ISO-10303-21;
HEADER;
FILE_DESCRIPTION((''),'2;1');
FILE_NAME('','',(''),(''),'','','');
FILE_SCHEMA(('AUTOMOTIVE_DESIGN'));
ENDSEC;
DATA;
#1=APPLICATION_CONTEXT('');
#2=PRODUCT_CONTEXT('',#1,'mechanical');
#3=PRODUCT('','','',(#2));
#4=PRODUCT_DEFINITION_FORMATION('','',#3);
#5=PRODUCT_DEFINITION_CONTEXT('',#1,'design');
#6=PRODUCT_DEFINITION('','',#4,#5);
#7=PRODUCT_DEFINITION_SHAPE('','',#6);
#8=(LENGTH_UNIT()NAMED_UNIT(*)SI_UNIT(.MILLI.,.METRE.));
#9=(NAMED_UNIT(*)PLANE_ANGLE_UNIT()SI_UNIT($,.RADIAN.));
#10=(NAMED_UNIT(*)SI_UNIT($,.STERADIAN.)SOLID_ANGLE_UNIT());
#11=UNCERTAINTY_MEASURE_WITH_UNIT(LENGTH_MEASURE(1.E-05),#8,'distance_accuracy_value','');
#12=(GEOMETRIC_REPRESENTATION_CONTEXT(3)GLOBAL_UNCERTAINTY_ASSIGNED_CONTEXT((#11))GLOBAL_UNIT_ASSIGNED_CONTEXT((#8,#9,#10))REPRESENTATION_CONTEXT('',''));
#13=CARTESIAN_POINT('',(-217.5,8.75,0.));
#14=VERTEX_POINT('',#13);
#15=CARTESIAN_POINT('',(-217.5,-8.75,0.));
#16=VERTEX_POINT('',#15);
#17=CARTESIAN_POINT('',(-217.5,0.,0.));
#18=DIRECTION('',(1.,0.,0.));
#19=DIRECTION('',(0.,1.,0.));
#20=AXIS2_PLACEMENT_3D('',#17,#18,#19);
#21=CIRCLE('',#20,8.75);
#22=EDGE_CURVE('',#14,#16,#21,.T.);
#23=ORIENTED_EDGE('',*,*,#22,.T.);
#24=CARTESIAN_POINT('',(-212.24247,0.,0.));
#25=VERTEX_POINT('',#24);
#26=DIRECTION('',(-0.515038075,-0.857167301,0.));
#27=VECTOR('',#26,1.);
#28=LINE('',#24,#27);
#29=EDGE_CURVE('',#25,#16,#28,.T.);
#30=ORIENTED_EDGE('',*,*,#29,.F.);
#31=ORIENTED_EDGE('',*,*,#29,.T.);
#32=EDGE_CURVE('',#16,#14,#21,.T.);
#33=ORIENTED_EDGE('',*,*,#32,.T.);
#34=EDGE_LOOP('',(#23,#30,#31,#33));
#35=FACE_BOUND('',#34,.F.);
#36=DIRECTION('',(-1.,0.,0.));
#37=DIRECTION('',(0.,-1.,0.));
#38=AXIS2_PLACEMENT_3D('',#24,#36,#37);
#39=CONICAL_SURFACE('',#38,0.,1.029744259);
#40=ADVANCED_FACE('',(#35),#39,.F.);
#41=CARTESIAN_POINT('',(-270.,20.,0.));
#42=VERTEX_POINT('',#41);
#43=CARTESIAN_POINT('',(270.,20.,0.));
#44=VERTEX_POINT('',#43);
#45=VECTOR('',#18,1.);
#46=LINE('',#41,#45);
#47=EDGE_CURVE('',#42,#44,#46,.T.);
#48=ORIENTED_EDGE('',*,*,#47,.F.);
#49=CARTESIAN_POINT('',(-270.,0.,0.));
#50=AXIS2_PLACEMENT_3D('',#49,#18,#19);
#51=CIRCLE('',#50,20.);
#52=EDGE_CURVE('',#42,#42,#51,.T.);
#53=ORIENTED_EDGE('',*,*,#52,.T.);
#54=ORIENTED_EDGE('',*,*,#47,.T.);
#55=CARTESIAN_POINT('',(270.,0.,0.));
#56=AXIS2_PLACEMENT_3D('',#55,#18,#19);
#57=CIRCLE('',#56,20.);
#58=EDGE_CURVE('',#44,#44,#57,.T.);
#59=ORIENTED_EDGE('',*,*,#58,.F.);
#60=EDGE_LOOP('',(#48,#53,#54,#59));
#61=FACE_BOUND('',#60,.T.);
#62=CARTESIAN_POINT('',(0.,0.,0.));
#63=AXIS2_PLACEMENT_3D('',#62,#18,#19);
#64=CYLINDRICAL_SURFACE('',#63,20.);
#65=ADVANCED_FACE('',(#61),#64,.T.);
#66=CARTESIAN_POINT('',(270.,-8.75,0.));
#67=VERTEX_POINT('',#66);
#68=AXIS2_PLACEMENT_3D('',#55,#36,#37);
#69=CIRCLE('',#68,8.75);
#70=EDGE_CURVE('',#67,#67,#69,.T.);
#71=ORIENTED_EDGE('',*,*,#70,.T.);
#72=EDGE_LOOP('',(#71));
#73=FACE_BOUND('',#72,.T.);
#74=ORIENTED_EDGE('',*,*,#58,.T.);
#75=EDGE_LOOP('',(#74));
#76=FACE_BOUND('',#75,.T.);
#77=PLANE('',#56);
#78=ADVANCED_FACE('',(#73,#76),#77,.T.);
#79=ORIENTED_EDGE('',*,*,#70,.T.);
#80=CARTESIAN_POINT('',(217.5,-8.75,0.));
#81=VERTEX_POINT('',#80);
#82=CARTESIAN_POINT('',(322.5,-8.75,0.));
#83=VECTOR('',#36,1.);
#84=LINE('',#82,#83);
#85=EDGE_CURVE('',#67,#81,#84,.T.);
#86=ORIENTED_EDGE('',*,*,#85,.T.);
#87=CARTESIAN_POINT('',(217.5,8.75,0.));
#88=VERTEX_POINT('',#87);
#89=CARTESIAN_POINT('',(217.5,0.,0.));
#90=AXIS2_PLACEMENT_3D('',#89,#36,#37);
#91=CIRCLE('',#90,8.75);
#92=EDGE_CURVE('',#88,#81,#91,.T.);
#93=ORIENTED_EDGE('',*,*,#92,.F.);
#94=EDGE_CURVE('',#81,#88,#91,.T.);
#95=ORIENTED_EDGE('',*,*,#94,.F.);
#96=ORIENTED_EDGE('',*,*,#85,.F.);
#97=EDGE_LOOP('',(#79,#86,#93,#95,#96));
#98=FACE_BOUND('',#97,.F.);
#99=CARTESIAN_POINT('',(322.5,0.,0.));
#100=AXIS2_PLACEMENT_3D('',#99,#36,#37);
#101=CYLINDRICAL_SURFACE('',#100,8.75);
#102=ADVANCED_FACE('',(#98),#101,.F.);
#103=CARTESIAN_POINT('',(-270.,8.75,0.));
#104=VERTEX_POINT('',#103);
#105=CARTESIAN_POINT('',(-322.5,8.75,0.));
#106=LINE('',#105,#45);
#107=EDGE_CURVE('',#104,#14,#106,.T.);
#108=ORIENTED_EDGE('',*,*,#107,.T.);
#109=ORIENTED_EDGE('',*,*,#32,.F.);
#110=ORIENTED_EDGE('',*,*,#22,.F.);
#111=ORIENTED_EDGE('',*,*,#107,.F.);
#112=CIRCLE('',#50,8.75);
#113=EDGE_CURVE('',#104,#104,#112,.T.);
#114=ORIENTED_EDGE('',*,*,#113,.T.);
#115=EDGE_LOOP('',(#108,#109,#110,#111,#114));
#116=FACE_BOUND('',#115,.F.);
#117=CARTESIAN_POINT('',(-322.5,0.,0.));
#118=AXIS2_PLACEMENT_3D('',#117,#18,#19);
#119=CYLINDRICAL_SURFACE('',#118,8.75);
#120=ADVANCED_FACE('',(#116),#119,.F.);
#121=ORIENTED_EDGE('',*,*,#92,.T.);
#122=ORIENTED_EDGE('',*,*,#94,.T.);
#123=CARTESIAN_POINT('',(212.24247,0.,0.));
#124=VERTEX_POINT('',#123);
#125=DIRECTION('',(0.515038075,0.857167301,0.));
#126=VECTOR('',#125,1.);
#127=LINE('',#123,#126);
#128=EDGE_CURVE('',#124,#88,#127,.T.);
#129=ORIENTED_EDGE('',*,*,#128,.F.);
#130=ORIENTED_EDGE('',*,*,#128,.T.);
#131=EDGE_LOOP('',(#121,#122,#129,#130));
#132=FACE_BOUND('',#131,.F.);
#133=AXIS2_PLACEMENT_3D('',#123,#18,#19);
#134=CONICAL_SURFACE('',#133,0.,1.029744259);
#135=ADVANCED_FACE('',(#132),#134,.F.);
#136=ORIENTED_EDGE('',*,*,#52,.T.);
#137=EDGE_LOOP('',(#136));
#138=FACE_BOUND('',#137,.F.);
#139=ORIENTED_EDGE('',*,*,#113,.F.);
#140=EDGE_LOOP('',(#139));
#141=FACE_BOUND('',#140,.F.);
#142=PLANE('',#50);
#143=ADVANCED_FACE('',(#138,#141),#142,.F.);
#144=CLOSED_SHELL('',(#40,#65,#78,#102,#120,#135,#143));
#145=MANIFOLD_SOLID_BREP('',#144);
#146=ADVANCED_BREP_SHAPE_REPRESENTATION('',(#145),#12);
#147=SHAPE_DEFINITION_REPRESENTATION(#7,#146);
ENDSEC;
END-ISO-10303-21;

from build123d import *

# Parameters (mm, degrees)
F0_R           = 20
F1_DEPTH       = 270
F4_D           = 17.5
F4_DEPTH       = 52.5
F4_TIP         = 5.2575304165
F4_ON_F3_D     = 17.5
F4_ON_F3_DEPTH = 52.5
F4_ON_F3_TIP   = 5.2575304165


with BuildPart() as f1:
    # F0 (on Right) → F1 (new body, symmetric)
    with BuildSketch(Plane.YZ):
        Circle(F0_R)
    extrude(amount=F1_DEPTH, both=True)

    # F4
    with Locations(Plane.YZ.offset(270)):
        with Locations((0, 0)):
            Hole(F4_D / 2, depth=F4_DEPTH)
            with Locations((0, 0, -(F4_DEPTH + F4_TIP / 2))):  # 118° drill point
                Cone(0, F4_D / 2, F4_TIP, mode=Mode.SUBTRACT)

    # F4 on F3
    with Locations(Plane(origin=(-270, 0, 0), x_dir=(0, -1, 0), z_dir=(-1, 0, 0))):
        with Locations((0, 0)):
            Hole(F4_ON_F3_D / 2, depth=F4_ON_F3_DEPTH)
            with Locations((0, 0, -(F4_ON_F3_DEPTH + F4_ON_F3_TIP / 2))):  # 118° drill point
                Cone(0, F4_ON_F3_D / 2, F4_ON_F3_TIP, mode=Mode.SUBTRACT)


solid = f1.part
